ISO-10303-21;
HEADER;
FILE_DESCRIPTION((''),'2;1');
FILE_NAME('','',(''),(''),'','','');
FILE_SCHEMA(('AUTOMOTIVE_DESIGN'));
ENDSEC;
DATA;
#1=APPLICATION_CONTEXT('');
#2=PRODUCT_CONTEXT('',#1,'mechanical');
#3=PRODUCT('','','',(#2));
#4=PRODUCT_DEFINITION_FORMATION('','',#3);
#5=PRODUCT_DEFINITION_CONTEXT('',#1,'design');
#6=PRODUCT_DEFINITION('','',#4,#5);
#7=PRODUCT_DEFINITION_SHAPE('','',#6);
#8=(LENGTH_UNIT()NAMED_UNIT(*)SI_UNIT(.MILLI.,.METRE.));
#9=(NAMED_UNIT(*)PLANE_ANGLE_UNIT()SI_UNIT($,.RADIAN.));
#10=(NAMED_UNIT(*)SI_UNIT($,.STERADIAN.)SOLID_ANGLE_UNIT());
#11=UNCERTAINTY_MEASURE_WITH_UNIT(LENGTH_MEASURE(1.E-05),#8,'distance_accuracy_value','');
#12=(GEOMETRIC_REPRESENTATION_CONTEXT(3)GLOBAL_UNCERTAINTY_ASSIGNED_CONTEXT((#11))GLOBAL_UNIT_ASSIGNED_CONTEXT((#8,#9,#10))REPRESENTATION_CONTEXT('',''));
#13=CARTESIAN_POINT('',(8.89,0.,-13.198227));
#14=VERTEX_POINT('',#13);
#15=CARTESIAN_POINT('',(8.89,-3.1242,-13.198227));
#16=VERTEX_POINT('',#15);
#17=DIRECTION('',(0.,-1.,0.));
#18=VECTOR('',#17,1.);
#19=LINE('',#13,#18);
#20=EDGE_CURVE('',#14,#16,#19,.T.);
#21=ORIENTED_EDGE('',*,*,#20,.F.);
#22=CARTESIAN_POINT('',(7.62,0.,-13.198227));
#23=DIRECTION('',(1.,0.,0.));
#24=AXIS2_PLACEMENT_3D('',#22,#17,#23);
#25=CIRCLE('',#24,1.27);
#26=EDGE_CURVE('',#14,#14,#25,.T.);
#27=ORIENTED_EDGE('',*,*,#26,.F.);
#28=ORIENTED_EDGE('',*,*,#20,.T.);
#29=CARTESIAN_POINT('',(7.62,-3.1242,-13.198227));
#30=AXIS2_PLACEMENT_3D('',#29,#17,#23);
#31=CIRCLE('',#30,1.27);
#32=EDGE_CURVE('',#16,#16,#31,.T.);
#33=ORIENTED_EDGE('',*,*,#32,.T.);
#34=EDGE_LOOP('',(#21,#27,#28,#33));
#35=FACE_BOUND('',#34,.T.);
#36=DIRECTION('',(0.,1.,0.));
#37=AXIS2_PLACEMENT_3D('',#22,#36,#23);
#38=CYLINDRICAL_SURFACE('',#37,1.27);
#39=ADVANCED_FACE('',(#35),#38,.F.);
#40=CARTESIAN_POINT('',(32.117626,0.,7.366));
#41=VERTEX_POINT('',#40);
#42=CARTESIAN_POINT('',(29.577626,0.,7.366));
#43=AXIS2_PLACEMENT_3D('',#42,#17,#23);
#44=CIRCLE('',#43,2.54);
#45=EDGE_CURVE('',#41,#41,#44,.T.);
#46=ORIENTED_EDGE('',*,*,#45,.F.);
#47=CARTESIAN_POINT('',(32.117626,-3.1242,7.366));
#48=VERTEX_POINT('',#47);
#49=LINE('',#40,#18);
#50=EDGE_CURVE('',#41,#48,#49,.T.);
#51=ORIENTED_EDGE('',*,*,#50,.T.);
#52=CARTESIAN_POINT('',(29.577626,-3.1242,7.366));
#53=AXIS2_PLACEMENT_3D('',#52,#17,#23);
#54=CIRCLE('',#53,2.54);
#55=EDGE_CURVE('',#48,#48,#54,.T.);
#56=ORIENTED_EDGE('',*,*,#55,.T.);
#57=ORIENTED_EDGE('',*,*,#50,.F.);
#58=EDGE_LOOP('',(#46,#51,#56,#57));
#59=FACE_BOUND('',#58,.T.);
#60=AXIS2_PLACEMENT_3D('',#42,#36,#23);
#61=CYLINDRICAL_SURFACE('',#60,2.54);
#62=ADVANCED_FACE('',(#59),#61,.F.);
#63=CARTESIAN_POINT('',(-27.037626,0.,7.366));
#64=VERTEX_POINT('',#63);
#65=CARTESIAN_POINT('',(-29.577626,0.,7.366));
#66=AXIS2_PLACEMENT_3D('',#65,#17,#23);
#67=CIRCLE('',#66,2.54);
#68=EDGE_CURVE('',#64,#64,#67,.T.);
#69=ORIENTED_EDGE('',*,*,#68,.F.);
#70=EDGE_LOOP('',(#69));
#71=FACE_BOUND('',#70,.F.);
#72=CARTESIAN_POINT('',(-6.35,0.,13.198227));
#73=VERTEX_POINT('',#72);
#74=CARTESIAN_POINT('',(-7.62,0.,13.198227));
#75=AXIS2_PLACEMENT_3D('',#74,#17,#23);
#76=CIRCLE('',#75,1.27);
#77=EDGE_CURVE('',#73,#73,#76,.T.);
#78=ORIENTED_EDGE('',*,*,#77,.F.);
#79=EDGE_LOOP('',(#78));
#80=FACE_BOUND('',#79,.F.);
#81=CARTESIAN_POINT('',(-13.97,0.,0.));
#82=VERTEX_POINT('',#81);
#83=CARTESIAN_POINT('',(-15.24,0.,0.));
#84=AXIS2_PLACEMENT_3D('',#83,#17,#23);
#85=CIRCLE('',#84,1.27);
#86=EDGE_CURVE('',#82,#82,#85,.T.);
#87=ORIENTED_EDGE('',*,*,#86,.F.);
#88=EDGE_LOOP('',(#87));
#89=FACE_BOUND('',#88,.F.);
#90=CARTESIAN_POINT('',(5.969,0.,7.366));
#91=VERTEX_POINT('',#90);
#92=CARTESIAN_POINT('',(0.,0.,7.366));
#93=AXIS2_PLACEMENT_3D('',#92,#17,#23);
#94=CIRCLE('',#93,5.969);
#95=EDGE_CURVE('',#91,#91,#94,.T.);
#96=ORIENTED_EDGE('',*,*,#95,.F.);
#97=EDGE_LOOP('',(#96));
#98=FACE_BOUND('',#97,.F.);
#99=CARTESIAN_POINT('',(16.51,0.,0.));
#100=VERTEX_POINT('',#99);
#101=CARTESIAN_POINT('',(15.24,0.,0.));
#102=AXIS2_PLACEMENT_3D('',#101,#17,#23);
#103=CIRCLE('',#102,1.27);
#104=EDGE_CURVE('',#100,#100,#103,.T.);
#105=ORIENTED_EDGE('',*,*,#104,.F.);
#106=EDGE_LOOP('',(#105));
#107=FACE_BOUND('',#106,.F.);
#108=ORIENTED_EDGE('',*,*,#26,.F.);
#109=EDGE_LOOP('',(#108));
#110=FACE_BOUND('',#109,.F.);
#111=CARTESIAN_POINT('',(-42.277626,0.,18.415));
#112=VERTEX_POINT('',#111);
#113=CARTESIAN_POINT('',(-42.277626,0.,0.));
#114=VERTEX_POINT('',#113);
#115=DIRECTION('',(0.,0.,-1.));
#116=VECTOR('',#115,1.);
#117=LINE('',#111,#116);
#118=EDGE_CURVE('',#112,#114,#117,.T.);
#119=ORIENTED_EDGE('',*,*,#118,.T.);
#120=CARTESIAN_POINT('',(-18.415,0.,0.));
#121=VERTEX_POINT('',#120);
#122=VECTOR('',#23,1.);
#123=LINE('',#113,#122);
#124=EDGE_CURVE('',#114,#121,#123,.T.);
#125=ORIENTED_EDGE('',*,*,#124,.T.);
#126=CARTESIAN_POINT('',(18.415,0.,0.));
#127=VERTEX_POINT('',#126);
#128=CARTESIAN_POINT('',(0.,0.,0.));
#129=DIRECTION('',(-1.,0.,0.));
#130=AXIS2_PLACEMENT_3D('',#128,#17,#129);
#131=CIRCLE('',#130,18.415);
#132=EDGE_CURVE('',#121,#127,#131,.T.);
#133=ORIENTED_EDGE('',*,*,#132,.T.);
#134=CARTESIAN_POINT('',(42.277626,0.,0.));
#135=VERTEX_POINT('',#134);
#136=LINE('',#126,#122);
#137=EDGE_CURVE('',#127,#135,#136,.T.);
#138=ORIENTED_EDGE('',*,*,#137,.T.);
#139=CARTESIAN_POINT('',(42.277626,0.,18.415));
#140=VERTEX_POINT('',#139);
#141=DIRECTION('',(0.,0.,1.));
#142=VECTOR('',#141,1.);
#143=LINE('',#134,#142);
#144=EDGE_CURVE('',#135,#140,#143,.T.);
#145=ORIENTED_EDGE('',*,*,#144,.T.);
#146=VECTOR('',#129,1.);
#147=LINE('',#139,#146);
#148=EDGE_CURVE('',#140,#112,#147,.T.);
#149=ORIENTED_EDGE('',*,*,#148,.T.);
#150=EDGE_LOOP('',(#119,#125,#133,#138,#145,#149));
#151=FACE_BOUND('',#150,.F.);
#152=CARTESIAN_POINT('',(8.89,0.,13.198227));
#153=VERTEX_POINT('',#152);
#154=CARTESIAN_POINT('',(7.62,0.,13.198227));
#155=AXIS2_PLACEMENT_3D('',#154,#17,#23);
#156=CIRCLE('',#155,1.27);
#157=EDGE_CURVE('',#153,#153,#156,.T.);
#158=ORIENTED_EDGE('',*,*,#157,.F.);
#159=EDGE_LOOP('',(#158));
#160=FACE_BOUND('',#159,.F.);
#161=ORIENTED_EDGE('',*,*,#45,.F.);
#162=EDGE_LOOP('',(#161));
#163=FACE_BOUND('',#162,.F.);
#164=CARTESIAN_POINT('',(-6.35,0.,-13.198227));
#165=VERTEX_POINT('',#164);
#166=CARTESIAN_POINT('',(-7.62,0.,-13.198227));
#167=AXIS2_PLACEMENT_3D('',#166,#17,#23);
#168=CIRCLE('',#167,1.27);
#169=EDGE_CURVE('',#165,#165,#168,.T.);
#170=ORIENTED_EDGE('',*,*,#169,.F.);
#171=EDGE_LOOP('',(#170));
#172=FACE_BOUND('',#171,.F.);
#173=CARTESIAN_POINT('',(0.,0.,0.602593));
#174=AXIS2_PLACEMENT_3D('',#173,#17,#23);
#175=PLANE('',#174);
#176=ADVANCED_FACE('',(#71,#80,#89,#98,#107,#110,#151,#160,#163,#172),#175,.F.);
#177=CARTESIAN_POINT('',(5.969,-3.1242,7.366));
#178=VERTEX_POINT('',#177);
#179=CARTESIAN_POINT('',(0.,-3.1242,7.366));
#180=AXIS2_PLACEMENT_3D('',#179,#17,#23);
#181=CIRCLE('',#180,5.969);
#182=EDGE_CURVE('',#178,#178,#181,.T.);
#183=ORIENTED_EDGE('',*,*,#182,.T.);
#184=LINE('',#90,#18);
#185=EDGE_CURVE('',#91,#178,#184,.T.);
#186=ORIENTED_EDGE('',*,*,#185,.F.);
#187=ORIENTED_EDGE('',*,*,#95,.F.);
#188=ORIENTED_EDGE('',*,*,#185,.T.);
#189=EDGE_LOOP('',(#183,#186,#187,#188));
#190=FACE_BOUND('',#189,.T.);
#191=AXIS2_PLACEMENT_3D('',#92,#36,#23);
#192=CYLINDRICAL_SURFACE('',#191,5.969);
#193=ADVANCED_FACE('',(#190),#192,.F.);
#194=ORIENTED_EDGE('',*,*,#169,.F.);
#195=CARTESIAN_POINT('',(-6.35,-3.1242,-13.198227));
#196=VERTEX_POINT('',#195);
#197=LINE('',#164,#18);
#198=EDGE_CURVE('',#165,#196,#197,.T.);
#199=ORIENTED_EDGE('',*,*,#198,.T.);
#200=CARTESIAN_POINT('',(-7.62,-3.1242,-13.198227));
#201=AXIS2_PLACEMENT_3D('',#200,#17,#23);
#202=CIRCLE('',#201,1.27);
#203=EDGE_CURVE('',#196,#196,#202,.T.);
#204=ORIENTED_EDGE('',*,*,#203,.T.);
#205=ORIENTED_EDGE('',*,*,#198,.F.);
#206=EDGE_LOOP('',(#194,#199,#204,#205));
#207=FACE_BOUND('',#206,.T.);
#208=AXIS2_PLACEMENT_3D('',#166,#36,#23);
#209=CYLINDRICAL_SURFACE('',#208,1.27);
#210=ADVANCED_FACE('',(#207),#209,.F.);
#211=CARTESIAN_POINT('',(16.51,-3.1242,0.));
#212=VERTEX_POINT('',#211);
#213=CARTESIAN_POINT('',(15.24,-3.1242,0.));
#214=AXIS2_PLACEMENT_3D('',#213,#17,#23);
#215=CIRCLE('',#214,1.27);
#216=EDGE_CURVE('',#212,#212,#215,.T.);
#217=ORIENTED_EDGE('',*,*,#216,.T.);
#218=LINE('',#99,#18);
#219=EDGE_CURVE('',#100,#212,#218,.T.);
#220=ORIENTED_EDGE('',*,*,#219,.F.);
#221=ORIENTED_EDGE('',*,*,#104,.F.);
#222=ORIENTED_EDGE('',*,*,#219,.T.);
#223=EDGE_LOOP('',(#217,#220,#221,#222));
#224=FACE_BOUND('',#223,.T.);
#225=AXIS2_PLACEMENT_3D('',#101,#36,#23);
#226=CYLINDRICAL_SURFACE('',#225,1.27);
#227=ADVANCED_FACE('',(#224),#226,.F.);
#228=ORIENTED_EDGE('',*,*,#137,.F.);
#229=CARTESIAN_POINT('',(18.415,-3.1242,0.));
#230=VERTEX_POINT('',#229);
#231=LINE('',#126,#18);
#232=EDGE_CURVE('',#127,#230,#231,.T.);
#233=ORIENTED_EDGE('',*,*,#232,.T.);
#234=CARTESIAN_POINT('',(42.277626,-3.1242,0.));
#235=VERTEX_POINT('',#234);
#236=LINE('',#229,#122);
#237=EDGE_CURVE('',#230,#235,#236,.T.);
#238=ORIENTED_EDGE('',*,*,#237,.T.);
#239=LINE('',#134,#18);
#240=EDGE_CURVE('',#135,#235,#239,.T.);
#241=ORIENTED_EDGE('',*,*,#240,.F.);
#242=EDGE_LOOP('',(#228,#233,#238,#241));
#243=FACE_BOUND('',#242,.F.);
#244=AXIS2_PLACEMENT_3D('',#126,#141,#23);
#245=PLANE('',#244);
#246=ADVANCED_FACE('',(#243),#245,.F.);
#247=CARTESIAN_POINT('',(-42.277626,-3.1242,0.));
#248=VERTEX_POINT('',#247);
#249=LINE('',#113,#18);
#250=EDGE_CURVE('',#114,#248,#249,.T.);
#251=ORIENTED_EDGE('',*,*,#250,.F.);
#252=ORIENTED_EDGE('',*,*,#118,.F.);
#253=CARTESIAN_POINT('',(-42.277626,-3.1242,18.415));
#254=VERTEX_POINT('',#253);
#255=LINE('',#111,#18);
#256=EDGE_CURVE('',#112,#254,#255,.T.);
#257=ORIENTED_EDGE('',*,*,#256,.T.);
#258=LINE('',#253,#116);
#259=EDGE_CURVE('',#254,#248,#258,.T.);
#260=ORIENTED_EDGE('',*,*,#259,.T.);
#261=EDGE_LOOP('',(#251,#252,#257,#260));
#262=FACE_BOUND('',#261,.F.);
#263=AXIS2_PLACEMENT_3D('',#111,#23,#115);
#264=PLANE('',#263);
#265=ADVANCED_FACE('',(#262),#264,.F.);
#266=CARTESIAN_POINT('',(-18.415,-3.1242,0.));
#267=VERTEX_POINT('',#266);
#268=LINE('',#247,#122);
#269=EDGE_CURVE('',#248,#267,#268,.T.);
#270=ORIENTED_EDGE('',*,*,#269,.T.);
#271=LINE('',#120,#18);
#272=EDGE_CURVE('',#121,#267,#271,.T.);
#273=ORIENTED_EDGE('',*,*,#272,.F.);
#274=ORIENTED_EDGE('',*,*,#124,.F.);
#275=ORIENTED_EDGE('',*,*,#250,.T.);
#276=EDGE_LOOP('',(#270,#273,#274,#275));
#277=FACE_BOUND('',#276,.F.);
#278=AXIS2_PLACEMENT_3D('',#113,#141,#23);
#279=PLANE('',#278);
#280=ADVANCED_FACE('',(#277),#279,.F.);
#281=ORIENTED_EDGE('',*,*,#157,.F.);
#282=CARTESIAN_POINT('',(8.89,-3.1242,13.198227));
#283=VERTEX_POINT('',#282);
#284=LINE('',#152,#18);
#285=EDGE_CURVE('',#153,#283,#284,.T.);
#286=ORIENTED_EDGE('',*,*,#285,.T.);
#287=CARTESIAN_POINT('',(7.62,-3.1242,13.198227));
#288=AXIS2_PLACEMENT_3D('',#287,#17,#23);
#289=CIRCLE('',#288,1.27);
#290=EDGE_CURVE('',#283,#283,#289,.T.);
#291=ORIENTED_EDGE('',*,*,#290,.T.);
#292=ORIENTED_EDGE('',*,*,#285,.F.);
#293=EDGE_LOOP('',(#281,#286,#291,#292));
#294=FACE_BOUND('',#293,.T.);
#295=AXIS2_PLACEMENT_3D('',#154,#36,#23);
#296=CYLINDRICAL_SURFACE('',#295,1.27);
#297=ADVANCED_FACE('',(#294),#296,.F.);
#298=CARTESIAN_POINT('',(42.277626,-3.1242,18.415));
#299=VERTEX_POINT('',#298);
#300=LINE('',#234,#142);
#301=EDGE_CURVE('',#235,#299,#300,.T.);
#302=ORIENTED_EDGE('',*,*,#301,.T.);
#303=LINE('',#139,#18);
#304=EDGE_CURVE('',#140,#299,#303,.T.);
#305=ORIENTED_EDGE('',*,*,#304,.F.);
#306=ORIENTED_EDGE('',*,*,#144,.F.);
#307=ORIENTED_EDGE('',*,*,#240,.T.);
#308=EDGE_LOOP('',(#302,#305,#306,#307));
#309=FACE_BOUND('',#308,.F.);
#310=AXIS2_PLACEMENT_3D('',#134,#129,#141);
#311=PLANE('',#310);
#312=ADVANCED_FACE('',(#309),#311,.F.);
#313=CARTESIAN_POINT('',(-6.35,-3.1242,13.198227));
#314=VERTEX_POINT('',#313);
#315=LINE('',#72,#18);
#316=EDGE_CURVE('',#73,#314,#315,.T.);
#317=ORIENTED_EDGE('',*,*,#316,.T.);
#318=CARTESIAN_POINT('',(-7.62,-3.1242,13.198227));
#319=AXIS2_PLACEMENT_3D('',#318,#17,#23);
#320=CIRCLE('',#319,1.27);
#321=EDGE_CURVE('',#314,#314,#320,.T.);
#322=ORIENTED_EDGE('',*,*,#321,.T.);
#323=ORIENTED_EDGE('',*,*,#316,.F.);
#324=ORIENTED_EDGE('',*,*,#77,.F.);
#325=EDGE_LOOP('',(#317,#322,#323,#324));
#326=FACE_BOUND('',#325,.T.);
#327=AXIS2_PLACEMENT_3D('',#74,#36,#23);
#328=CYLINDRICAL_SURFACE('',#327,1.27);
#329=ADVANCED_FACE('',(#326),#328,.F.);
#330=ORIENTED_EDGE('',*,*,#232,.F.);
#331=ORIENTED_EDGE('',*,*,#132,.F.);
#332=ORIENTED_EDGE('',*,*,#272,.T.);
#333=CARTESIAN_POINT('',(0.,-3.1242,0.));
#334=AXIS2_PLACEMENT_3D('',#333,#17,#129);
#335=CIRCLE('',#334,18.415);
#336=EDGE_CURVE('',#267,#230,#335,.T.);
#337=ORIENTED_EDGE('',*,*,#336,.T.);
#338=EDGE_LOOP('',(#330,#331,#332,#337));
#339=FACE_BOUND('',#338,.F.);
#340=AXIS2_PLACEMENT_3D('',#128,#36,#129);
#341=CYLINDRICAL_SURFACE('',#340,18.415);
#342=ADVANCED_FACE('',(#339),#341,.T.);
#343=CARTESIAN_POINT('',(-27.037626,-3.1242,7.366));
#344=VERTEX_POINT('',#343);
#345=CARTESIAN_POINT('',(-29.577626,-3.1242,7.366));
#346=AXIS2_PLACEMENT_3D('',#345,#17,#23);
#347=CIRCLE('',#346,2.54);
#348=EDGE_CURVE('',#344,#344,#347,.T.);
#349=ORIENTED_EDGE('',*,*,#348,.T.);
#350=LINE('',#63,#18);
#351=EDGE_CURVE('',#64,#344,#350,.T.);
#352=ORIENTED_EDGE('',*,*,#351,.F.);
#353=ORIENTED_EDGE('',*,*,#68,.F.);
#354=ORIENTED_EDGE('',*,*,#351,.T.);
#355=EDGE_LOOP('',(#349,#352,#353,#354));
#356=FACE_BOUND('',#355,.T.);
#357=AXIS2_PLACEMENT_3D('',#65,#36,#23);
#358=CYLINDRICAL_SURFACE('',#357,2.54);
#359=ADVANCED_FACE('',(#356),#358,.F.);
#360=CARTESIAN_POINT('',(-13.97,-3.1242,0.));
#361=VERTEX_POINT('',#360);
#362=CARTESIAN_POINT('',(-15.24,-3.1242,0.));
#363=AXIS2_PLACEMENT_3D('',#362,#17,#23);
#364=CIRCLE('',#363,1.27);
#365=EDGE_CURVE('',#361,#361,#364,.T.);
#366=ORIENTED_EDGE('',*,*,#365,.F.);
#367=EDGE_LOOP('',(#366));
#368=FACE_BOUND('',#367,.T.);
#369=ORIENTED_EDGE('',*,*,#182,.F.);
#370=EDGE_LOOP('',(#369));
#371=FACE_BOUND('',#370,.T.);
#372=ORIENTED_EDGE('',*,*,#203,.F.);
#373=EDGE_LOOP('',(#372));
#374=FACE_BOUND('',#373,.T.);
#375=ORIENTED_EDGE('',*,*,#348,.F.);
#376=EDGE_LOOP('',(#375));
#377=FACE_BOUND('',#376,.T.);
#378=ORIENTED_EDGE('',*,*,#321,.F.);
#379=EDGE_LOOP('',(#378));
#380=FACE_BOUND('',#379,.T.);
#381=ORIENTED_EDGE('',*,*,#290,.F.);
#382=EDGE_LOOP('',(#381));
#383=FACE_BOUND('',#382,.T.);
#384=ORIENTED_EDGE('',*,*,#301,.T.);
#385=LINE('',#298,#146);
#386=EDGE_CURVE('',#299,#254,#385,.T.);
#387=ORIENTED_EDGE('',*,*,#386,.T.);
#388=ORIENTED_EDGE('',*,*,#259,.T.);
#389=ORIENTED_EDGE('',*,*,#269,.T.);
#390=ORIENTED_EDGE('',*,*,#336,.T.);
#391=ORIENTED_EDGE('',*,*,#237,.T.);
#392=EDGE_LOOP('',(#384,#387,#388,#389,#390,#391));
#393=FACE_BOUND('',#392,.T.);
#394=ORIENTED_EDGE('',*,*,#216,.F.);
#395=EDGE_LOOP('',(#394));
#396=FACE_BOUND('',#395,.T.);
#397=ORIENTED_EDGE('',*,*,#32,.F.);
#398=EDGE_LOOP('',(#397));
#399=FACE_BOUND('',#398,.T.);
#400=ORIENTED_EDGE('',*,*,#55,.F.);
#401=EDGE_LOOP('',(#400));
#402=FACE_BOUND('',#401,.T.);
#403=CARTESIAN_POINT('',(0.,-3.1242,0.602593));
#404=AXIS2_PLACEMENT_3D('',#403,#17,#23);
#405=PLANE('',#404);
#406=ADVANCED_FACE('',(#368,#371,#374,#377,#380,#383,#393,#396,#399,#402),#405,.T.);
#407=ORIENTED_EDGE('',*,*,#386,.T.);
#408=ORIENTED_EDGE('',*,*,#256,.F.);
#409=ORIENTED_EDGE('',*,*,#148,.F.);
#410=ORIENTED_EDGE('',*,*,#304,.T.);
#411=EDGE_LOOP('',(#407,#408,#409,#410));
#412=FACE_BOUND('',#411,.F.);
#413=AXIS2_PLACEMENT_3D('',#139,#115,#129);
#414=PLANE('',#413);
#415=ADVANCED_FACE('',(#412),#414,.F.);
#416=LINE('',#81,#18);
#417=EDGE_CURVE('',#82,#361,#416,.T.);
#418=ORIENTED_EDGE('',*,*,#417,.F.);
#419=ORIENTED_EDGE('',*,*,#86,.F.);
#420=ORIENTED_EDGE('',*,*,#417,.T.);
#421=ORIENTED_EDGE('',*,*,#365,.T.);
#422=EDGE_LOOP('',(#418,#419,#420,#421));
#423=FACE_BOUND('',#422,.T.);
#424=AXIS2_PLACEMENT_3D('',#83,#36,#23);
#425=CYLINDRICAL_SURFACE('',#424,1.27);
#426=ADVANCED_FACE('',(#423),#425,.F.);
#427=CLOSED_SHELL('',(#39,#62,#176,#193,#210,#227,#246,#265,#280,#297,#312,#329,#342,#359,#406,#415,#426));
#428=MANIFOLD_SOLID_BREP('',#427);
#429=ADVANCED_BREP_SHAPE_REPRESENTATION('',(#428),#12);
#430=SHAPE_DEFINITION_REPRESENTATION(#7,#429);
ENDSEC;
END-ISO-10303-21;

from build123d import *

# Parameters (mm, degrees)
F0_R     = 1.27
F0_R_2   = 5.969
F0_R_3   = 2.54
F1_DEPTH = 3.1242


with BuildPart() as f1:
    # F0 (on Front) → F1 (new body)
    with BuildSketch(Plane.XZ):
        with BuildLine():
            ThreePointArc((-18.415, 0), (0, -18.415), (18.415, 0))
            ThreePointArc((18.415, 0), (13.021371, 13.021371), (0, 18.415))
            ThreePointArc((0, 18.415), (-13.021371, 13.021371), (-18.415, 0))
        make_face()
        with Locations((-7.62, -13.198227)):
            Circle(F0_R, mode=Mode.SUBTRACT)
        with Locations((-15.24, 0)):
            Circle(F0_R, mode=Mode.SUBTRACT)
        with Locations((7.62, -13.198227)):
            Circle(F0_R, mode=Mode.SUBTRACT)
        with Locations((15.24, 0)):
            Circle(F0_R, mode=Mode.SUBTRACT)
        with Locations((-7.62, 13.198227)):
            Circle(F0_R, mode=Mode.SUBTRACT)
        with Locations((0, 7.366)):
            Circle(F0_R_2, mode=Mode.SUBTRACT)
        with Locations((7.62, 13.198227)):
            Circle(F0_R, mode=Mode.SUBTRACT)
        with BuildLine():
            ThreePointArc((-18.415, 0), (-13.021371, 13.021371), (0, 18.415))
            Line((0, 18.415), (-42.277626, 18.415))
            Line((-42.277626, 18.415), (-42.277626, 0))
            Line((-42.277626, 0), (-18.415, 0))
        make_face()
        with Locations((-29.577626, 7.366)):
            Circle(F0_R_3, mode=Mode.SUBTRACT)
        with BuildLine():
            ThreePointArc((0, 18.415), (13.021371, 13.021371), (18.415, 0))
            Line((18.415, 0), (42.277626, 0))
            Line((42.277626, 0), (42.277626, 18.415))
            Line((42.277626, 18.415), (0, 18.415))
        make_face()
        with Locations((29.577626, 7.366)):
            Circle(F0_R_3, mode=Mode.SUBTRACT)
    extrude(amount=F1_DEPTH)


solid = f1.part
